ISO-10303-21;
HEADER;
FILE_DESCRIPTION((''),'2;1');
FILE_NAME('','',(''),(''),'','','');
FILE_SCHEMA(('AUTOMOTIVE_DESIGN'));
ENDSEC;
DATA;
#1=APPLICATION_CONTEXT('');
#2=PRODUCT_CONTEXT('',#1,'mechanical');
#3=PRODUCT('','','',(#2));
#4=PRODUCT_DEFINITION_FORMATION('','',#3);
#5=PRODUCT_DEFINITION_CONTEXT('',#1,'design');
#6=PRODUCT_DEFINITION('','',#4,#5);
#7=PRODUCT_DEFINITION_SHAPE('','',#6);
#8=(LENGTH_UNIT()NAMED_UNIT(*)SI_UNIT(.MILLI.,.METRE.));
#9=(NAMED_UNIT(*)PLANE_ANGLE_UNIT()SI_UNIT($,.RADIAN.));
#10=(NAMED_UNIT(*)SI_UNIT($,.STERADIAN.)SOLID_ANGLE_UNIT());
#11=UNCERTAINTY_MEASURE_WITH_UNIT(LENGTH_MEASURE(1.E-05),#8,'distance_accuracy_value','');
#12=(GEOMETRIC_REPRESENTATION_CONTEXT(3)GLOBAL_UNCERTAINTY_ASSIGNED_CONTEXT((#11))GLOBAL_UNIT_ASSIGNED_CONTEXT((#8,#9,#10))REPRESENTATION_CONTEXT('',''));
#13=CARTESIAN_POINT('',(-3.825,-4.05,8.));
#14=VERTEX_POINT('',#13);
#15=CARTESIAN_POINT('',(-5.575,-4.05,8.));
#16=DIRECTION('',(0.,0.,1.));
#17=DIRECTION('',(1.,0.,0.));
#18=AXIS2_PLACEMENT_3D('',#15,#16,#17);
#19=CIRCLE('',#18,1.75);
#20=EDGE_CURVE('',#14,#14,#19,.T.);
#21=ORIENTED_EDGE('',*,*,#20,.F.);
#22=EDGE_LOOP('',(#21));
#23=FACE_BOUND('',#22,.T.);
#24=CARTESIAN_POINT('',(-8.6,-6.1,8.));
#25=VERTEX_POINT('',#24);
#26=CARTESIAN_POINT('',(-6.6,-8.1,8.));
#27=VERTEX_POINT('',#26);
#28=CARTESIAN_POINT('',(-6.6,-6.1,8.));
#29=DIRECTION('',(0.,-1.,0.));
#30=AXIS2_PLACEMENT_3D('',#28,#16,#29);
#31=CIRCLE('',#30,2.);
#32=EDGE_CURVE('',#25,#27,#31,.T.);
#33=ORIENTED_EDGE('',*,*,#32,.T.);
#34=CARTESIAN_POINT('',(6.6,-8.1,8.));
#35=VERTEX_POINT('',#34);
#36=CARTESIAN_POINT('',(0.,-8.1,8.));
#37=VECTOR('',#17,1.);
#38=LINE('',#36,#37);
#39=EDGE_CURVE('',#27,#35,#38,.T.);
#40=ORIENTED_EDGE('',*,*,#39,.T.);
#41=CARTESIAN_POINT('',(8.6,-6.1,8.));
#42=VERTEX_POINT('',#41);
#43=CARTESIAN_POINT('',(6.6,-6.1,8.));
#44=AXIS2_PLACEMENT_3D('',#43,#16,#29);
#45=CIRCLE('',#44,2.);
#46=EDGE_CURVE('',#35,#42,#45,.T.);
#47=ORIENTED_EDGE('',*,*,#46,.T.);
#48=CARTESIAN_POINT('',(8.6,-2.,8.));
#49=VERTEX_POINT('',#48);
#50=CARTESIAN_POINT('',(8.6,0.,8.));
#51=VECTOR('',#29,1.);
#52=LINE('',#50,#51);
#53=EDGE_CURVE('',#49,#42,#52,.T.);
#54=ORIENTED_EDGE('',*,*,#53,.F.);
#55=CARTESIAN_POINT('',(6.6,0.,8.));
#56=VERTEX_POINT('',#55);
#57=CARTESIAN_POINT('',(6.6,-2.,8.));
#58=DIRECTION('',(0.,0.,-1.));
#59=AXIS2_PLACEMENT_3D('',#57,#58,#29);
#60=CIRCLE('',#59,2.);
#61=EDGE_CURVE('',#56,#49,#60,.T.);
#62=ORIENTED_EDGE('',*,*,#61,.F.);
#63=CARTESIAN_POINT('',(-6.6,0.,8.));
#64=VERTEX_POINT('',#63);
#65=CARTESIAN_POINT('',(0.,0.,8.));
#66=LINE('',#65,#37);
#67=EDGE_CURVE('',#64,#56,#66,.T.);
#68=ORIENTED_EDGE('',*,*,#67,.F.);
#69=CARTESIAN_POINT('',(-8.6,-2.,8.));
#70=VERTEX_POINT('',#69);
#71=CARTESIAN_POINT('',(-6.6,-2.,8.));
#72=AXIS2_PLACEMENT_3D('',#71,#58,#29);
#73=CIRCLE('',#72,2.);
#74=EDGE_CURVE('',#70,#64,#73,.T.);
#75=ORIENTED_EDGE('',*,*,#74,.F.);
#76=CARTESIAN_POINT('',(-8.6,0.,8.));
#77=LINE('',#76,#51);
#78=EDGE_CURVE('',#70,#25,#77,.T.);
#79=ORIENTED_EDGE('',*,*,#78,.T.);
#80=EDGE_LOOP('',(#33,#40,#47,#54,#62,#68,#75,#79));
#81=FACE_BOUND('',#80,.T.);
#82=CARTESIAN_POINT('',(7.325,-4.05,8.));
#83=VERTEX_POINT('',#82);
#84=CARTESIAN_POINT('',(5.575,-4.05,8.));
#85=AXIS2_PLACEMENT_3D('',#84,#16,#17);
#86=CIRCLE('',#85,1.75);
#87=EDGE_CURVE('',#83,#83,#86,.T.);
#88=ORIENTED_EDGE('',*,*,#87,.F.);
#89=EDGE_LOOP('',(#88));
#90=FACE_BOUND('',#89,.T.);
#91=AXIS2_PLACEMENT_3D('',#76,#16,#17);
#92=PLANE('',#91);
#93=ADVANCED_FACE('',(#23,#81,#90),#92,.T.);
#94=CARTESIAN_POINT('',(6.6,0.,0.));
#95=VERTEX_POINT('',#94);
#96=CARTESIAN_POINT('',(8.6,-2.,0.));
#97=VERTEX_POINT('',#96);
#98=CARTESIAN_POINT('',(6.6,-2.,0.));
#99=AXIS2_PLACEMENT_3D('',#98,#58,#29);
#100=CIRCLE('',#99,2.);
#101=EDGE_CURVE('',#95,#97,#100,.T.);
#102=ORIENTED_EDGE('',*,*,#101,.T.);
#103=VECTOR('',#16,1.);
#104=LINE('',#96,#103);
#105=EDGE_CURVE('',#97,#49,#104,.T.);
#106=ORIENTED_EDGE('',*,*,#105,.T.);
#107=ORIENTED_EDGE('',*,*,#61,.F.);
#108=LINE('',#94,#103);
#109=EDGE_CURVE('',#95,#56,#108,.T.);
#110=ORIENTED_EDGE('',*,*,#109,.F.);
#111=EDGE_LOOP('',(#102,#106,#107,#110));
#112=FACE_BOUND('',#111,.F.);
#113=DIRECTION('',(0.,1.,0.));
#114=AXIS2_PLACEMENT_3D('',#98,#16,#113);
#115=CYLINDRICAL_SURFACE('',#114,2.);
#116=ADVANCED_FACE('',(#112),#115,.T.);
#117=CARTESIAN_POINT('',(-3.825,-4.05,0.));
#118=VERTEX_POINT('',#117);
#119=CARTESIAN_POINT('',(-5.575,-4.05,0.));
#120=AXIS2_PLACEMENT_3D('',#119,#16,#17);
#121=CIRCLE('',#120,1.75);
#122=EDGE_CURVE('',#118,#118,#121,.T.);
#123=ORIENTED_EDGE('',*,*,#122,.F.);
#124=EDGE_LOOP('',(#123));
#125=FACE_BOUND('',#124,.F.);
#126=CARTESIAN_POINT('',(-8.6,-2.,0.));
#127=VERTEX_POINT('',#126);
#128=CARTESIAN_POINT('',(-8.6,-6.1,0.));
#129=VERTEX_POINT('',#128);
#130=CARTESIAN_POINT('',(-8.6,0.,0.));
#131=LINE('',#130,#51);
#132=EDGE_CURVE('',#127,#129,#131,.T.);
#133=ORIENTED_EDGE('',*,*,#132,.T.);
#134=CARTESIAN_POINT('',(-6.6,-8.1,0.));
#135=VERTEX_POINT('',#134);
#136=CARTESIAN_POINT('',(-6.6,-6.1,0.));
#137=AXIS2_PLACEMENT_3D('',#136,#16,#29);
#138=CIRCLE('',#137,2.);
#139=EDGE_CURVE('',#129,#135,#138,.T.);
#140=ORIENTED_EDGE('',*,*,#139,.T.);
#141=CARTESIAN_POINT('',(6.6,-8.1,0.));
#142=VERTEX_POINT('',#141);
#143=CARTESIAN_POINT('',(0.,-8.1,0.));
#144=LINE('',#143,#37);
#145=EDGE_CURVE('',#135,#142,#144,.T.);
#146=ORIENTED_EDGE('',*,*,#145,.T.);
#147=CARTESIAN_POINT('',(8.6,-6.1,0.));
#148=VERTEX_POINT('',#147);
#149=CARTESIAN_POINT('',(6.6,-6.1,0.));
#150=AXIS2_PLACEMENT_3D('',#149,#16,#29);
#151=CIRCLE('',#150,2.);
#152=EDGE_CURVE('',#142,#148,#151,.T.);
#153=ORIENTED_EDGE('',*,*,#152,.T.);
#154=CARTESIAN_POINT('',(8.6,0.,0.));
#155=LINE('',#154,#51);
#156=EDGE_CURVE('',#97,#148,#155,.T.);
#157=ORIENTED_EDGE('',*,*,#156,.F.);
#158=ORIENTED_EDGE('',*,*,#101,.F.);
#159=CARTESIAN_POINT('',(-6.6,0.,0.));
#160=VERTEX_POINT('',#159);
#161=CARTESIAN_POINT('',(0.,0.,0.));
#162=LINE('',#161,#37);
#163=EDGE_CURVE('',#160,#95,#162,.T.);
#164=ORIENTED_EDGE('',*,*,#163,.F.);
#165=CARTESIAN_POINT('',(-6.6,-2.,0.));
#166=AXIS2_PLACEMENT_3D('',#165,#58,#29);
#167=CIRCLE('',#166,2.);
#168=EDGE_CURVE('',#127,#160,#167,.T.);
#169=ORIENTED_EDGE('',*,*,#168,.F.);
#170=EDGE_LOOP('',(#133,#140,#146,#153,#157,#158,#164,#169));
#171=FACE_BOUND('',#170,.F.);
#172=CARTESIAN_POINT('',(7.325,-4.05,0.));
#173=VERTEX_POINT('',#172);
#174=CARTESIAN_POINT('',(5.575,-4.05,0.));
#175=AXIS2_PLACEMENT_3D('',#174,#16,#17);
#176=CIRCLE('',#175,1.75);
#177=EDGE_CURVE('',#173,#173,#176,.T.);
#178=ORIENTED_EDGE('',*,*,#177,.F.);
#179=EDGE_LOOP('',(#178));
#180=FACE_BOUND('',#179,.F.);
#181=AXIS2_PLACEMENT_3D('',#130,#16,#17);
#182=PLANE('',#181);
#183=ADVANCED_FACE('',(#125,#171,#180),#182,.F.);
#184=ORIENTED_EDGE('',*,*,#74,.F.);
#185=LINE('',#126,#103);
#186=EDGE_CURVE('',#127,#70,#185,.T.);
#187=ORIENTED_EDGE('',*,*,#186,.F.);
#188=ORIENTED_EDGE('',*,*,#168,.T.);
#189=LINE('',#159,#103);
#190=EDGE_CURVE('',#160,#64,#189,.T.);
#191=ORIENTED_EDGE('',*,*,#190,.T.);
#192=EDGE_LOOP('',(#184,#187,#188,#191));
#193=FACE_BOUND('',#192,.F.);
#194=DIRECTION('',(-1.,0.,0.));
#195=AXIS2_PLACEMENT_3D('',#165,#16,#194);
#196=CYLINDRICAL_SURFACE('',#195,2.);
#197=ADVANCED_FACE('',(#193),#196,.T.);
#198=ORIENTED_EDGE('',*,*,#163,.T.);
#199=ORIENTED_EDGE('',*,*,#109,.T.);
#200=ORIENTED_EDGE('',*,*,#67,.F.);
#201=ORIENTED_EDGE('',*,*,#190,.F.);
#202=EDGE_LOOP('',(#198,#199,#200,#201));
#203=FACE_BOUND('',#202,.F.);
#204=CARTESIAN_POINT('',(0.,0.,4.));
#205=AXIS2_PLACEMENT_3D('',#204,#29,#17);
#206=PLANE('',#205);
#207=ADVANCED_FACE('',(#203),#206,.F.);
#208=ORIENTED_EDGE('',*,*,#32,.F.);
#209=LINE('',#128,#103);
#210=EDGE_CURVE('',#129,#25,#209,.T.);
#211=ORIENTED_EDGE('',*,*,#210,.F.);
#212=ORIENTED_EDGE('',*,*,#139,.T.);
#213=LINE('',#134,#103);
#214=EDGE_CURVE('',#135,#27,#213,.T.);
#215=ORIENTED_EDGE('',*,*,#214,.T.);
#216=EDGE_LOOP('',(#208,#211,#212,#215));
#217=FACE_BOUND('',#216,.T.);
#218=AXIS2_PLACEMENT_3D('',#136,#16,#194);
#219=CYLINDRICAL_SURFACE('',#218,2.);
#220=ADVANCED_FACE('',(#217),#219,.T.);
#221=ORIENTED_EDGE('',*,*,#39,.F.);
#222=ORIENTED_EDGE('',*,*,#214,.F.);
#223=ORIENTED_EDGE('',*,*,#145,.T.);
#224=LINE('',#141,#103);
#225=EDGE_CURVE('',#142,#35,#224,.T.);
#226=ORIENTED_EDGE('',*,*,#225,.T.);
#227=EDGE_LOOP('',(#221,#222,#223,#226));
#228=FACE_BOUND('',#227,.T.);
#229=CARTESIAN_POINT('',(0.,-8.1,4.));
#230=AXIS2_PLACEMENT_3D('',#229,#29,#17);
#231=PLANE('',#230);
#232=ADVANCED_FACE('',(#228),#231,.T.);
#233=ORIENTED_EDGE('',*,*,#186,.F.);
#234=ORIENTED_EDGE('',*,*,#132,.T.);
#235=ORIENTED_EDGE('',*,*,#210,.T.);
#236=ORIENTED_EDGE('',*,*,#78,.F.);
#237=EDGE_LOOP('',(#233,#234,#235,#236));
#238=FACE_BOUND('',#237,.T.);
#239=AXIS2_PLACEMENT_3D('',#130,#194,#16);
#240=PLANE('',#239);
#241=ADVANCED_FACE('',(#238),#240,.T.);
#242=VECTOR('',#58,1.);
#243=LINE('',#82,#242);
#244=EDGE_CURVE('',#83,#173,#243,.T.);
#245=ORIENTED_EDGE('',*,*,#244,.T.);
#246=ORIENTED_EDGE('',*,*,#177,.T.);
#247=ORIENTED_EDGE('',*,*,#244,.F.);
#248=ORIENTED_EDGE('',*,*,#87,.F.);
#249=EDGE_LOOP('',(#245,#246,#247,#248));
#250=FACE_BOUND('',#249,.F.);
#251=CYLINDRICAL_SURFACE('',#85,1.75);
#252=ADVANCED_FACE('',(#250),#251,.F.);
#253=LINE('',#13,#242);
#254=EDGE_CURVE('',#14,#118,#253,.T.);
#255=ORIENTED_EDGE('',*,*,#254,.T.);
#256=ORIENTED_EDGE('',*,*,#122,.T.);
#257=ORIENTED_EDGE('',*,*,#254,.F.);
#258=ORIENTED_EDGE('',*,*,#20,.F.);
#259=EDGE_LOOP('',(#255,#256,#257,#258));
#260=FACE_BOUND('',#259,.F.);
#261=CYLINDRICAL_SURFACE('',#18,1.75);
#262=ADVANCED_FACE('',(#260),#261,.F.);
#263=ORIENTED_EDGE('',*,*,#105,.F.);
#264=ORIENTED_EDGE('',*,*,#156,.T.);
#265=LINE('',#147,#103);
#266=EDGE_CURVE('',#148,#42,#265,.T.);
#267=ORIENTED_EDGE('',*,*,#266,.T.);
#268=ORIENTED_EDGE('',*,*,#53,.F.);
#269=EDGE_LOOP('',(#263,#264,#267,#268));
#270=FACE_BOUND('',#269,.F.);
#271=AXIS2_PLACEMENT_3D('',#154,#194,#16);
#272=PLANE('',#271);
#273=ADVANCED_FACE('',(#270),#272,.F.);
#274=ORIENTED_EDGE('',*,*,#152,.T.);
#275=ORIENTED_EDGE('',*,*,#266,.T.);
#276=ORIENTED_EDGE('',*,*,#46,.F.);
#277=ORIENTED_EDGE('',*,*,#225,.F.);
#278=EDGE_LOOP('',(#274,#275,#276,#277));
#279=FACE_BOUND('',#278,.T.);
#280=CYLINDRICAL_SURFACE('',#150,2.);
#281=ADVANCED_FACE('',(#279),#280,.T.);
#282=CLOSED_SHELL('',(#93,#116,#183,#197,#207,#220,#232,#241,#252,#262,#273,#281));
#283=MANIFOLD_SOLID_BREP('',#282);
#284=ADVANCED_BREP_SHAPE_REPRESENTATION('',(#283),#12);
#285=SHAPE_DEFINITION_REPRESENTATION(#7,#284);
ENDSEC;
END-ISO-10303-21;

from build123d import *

# Parameters (mm, degrees)
F0_W     = 17.2
F0_H     = 8
F1_DEPTH = 8.1
F2_R     = 1.75
F3_DEPTH = 8.001
F4_R     = 2


with BuildPart() as f1:
    # F0 (on Front) → F1 (new body)
    with BuildSketch(Plane.XZ):
        with Locations((0, 4)):
            Rectangle(F0_W, F0_H)
    extrude(amount=F1_DEPTH)

    # F2 (on face) → F3 (cut, through all)
    with BuildSketch(Plane.XY.offset(8)):
        with Locations((-5.575, -4.05)):
            Circle(F2_R)
        with Locations((5.575, -4.05)):
            Circle(F2_R)
    extrude(amount=-F3_DEPTH, mode=Mode.SUBTRACT)

    # F4
    f4_edges = [f1.edges().sort_by_distance(p)[0] for p in [
        (-8.6, -8.1, 4),
        (8.6, -8.1, 4),
        (8.6, 0, 4),
        (-8.6, 0, 4),
    ]]
    fillet(f4_edges, radius=F4_R)


solid = f1.part
